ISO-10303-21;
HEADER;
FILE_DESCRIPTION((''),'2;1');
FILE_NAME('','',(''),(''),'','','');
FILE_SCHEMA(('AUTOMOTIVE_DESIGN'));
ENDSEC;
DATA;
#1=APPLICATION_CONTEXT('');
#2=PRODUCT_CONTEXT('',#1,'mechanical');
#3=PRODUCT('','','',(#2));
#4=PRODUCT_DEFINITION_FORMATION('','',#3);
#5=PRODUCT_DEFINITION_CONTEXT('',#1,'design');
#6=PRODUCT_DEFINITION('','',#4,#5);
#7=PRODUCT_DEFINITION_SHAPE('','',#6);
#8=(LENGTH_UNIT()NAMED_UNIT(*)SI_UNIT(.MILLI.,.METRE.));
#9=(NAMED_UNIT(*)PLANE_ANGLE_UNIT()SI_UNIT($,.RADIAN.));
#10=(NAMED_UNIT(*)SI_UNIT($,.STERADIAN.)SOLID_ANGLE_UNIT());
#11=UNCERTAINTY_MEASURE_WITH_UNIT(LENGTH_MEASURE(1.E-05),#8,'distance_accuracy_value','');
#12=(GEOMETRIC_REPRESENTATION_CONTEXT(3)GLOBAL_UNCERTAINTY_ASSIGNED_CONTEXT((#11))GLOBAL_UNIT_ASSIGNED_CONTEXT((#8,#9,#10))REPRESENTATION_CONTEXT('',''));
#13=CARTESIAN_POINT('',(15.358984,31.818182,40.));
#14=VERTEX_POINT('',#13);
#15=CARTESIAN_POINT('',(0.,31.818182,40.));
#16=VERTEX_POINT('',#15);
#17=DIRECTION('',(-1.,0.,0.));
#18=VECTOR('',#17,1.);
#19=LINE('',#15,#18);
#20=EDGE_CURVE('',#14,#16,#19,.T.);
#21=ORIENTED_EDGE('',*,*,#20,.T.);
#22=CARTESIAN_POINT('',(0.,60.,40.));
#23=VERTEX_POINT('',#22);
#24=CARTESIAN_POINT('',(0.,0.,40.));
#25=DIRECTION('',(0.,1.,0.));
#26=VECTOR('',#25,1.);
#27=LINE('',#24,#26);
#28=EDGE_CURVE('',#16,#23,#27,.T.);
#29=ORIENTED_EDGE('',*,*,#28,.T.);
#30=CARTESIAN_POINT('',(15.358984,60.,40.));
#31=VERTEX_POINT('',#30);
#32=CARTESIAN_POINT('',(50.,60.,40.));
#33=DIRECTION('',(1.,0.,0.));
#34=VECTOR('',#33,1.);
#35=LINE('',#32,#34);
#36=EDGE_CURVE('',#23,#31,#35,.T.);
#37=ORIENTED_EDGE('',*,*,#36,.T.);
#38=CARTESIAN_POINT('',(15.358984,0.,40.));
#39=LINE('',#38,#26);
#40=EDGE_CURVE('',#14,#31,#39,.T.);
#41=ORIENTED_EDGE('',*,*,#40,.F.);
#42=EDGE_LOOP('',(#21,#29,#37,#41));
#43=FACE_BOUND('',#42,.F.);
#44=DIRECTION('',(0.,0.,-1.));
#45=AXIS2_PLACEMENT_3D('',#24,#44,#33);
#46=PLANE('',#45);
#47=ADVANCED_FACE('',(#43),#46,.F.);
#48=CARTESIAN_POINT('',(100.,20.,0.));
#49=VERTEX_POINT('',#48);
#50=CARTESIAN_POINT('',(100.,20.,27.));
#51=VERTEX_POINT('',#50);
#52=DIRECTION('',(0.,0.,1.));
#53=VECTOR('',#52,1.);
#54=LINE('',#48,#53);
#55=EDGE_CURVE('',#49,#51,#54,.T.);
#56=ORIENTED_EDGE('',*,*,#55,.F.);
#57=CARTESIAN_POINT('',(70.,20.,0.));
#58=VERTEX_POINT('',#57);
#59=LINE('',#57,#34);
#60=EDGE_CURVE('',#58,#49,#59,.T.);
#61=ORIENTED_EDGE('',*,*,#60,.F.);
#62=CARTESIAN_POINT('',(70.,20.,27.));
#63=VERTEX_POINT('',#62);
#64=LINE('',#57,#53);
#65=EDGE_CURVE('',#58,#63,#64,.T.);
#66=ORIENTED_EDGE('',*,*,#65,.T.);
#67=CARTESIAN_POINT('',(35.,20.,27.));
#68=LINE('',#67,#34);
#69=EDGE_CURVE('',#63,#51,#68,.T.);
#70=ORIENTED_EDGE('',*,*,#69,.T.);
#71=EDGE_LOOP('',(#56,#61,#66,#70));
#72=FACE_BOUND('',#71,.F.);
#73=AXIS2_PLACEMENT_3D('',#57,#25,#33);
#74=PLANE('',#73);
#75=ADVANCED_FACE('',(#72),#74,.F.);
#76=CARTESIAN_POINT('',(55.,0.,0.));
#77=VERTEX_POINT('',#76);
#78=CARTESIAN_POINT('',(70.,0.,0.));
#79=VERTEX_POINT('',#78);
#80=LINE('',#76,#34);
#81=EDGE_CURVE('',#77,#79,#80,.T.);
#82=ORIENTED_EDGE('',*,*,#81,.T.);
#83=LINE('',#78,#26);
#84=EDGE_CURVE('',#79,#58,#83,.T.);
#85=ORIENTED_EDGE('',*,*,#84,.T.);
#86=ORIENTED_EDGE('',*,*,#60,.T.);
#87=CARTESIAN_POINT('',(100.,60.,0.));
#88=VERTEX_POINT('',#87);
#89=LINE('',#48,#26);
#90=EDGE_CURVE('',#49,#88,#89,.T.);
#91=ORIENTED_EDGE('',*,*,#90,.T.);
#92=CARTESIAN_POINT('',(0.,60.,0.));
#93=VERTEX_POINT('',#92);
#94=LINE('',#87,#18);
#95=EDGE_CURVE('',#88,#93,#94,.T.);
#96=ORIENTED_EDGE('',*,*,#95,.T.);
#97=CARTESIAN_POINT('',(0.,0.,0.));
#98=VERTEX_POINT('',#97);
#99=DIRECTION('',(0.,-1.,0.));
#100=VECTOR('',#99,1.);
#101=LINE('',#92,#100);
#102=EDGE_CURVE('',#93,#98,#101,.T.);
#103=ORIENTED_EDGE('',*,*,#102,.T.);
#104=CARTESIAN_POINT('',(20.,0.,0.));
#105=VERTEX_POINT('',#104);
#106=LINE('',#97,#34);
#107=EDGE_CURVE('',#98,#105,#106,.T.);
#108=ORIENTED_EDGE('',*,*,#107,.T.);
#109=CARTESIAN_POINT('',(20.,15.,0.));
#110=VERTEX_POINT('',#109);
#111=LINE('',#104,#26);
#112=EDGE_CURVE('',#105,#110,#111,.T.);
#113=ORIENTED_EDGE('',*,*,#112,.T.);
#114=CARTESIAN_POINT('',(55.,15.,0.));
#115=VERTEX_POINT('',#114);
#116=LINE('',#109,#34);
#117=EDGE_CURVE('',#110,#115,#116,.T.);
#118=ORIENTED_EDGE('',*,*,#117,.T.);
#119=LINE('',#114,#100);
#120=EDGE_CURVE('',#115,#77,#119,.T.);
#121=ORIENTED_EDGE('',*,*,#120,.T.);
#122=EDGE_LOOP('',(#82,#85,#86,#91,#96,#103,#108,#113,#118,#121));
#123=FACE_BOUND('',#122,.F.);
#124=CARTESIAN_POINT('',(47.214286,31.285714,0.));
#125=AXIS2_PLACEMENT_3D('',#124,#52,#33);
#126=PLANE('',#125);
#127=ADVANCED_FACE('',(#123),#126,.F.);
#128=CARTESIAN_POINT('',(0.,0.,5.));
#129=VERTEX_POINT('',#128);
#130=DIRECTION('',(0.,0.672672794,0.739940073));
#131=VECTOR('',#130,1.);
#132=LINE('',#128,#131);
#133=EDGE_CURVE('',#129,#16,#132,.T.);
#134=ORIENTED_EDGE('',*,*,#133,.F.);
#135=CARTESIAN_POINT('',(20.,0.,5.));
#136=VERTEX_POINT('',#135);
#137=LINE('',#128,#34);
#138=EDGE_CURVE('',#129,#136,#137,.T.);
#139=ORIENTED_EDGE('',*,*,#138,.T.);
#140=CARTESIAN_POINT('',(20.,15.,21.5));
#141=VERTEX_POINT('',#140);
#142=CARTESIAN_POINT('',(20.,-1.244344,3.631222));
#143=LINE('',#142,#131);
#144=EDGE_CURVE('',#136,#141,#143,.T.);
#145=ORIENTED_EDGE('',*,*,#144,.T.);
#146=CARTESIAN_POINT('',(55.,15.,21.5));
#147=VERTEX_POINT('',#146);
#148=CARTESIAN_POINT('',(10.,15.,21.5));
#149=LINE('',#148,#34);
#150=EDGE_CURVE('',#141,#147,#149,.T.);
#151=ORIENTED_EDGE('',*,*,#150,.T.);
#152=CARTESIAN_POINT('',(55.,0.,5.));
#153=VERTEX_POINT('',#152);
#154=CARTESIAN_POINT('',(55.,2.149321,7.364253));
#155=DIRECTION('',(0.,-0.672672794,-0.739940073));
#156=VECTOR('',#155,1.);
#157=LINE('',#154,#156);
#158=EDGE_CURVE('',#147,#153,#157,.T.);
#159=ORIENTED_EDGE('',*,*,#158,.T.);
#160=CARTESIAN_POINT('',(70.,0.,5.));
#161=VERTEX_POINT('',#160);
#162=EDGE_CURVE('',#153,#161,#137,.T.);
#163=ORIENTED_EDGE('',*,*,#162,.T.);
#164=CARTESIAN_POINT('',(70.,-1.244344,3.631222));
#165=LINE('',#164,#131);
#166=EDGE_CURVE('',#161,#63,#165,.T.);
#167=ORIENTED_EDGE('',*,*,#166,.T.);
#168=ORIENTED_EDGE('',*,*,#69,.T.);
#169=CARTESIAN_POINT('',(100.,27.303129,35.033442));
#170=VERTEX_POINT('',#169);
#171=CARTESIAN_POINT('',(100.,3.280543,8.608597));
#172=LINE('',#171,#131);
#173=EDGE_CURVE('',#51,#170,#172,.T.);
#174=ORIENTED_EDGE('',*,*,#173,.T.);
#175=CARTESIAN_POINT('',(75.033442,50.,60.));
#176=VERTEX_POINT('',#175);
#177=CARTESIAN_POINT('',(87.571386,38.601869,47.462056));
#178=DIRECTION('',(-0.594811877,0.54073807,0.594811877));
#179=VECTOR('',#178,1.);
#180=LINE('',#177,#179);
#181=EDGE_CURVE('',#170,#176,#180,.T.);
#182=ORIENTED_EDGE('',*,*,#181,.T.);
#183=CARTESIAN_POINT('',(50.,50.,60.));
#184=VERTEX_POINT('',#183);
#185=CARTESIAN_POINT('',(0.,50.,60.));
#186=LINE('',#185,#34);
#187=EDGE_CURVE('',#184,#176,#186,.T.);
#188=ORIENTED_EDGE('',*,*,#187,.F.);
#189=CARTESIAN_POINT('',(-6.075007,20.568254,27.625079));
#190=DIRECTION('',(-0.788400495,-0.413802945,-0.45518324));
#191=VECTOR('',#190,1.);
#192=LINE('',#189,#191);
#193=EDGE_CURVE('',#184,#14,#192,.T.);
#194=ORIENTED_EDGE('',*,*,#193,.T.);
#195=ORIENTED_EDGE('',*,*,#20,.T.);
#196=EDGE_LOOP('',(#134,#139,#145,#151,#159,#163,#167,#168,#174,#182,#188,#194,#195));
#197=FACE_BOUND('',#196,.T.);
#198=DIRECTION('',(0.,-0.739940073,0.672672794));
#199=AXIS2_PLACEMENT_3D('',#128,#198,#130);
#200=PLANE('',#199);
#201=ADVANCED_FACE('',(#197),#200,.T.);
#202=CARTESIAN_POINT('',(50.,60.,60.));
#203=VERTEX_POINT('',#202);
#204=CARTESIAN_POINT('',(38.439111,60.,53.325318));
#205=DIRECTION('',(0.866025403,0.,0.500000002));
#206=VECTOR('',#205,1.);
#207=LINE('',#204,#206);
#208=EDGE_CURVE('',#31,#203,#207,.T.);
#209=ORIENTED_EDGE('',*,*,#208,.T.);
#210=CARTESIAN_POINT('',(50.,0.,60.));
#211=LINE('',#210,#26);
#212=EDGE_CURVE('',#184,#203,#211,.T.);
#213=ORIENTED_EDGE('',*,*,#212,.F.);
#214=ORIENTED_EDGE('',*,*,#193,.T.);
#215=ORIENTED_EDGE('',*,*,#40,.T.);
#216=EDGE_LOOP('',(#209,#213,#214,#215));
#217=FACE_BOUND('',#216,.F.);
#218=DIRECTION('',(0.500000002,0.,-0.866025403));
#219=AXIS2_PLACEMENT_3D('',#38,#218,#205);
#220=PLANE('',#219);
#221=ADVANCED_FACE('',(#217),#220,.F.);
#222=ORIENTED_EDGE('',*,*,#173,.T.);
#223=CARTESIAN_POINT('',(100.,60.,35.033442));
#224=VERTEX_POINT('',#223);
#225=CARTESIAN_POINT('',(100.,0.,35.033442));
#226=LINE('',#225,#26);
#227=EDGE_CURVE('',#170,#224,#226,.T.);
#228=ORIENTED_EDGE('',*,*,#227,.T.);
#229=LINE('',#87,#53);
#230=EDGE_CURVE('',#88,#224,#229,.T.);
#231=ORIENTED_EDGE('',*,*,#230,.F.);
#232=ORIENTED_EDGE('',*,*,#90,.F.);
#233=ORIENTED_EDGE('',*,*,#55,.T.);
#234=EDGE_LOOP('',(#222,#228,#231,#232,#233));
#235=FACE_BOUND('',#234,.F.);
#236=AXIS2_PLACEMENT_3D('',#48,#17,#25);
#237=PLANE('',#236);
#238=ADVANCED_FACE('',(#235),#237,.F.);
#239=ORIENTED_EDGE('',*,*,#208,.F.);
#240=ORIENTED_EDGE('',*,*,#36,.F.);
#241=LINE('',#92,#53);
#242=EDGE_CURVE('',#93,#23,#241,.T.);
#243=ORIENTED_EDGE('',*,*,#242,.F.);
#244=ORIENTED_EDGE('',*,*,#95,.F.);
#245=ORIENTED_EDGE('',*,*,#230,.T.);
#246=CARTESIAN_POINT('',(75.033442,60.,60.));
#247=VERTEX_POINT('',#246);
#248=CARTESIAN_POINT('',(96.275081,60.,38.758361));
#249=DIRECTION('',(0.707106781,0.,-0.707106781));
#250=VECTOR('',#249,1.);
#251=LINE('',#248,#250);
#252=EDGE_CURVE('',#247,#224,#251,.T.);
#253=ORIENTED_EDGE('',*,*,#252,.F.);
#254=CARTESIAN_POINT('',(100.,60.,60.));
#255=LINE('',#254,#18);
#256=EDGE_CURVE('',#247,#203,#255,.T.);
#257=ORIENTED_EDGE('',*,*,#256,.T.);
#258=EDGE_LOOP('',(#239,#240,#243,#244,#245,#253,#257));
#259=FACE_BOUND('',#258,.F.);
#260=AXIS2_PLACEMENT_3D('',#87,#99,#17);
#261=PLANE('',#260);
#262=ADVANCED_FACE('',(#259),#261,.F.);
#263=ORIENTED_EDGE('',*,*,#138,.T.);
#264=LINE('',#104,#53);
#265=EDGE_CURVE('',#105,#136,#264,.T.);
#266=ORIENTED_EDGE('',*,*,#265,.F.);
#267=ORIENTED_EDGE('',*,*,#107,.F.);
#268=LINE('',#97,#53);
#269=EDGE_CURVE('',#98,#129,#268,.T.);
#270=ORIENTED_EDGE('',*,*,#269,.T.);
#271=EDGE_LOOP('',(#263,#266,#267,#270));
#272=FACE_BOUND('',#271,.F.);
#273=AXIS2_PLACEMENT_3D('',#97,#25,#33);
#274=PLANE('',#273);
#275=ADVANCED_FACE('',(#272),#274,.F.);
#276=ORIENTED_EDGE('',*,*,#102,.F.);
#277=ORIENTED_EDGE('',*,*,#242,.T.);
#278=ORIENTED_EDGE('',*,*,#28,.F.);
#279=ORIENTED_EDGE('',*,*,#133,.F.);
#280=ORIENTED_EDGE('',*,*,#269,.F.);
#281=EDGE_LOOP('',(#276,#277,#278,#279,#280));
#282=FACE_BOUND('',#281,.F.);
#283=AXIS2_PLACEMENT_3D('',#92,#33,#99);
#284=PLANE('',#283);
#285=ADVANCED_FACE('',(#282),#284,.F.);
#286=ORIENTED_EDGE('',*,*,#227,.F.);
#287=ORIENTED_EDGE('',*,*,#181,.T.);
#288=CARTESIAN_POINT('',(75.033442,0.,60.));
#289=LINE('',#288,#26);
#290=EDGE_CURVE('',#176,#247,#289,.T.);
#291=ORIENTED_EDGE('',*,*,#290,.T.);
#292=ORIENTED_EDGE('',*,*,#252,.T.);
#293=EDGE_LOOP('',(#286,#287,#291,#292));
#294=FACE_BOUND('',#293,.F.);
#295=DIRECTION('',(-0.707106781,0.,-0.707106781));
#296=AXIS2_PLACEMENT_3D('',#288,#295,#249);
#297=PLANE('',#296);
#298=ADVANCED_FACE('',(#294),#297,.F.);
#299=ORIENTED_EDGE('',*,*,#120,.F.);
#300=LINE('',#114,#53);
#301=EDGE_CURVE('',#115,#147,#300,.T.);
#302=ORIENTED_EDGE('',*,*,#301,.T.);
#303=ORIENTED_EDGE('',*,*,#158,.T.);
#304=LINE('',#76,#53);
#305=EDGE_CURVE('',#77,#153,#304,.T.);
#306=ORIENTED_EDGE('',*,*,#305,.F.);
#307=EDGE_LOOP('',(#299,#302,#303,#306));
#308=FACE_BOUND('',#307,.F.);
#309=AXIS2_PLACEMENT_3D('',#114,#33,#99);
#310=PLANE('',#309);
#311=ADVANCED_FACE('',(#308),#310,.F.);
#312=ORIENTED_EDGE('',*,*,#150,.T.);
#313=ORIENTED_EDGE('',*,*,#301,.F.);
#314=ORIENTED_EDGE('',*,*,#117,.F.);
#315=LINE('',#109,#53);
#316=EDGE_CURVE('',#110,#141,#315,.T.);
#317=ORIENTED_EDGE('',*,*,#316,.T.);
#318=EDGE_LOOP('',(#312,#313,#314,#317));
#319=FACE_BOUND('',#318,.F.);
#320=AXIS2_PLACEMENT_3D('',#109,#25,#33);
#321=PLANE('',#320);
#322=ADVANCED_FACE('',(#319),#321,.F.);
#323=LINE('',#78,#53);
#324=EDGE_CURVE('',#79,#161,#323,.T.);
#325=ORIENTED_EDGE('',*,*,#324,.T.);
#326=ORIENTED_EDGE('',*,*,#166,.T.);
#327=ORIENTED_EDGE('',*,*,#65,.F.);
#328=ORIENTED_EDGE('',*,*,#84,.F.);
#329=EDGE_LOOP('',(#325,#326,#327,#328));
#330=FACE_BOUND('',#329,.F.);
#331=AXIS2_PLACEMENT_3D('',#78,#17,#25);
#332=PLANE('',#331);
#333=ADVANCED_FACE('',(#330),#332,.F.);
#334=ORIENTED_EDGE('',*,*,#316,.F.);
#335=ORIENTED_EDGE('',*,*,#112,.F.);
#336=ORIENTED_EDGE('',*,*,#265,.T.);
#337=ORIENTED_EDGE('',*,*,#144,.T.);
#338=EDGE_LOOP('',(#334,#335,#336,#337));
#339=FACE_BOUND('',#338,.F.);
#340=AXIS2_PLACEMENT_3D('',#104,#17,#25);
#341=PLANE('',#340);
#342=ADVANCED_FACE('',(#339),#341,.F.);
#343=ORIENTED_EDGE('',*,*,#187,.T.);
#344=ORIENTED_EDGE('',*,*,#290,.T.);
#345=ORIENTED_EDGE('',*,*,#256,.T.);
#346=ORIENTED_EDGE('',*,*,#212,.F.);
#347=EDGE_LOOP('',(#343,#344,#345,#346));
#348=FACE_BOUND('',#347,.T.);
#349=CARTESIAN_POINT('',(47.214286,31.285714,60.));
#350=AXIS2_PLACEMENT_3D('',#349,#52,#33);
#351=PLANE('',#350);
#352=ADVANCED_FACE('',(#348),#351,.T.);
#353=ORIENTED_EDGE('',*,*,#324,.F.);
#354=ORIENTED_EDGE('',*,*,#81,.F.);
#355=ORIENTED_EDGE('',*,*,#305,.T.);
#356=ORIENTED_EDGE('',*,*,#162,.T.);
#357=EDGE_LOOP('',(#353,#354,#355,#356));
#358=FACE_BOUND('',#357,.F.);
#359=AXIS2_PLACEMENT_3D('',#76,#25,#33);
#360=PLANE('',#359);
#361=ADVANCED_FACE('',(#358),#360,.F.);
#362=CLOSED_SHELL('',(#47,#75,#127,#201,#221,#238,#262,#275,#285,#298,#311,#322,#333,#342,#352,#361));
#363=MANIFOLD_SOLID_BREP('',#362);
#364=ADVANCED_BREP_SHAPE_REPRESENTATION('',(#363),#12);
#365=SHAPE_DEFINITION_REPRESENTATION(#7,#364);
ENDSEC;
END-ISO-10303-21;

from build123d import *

# Parameters (mm, degrees)
F1_DEPTH = 60
F3_DEPTH = 60.001
F5_DEPTH = 100.001


with BuildPart() as f1:
    # F0 (on Top) → F1 (new body)
    with BuildSketch(Plane.XY):
        Polygon((0, 60), (0, 0), (20, 0), (20, 15), (55, 15), (55, 0), (70, 0), (70, 20), (100, 20), (100, 60), align=None)
    extrude(amount=F1_DEPTH)

    # F2 (on Front) → F3 (cut, through all)
    with BuildSketch(Plane.XZ):
        Polygon((100, 60), (75.033442, 60), (100, 35.033442), align=None)
        Polygon((15.358984, 40), (50, 60), (0, 60), (0, 40), align=None)
    extrude(amount=-F3_DEPTH, mode=Mode.SUBTRACT)

    # F4 (on Right) → F5 (cut, through all)
    with BuildSketch(Plane.YZ):
        Polygon((20, 27), (50, 60), (20, 60), align=None)
        Polygon((20, 27), (20, 60), (0, 60), (0, 5), align=None)
    extrude(amount=F5_DEPTH, mode=Mode.SUBTRACT)


solid = f1.part
